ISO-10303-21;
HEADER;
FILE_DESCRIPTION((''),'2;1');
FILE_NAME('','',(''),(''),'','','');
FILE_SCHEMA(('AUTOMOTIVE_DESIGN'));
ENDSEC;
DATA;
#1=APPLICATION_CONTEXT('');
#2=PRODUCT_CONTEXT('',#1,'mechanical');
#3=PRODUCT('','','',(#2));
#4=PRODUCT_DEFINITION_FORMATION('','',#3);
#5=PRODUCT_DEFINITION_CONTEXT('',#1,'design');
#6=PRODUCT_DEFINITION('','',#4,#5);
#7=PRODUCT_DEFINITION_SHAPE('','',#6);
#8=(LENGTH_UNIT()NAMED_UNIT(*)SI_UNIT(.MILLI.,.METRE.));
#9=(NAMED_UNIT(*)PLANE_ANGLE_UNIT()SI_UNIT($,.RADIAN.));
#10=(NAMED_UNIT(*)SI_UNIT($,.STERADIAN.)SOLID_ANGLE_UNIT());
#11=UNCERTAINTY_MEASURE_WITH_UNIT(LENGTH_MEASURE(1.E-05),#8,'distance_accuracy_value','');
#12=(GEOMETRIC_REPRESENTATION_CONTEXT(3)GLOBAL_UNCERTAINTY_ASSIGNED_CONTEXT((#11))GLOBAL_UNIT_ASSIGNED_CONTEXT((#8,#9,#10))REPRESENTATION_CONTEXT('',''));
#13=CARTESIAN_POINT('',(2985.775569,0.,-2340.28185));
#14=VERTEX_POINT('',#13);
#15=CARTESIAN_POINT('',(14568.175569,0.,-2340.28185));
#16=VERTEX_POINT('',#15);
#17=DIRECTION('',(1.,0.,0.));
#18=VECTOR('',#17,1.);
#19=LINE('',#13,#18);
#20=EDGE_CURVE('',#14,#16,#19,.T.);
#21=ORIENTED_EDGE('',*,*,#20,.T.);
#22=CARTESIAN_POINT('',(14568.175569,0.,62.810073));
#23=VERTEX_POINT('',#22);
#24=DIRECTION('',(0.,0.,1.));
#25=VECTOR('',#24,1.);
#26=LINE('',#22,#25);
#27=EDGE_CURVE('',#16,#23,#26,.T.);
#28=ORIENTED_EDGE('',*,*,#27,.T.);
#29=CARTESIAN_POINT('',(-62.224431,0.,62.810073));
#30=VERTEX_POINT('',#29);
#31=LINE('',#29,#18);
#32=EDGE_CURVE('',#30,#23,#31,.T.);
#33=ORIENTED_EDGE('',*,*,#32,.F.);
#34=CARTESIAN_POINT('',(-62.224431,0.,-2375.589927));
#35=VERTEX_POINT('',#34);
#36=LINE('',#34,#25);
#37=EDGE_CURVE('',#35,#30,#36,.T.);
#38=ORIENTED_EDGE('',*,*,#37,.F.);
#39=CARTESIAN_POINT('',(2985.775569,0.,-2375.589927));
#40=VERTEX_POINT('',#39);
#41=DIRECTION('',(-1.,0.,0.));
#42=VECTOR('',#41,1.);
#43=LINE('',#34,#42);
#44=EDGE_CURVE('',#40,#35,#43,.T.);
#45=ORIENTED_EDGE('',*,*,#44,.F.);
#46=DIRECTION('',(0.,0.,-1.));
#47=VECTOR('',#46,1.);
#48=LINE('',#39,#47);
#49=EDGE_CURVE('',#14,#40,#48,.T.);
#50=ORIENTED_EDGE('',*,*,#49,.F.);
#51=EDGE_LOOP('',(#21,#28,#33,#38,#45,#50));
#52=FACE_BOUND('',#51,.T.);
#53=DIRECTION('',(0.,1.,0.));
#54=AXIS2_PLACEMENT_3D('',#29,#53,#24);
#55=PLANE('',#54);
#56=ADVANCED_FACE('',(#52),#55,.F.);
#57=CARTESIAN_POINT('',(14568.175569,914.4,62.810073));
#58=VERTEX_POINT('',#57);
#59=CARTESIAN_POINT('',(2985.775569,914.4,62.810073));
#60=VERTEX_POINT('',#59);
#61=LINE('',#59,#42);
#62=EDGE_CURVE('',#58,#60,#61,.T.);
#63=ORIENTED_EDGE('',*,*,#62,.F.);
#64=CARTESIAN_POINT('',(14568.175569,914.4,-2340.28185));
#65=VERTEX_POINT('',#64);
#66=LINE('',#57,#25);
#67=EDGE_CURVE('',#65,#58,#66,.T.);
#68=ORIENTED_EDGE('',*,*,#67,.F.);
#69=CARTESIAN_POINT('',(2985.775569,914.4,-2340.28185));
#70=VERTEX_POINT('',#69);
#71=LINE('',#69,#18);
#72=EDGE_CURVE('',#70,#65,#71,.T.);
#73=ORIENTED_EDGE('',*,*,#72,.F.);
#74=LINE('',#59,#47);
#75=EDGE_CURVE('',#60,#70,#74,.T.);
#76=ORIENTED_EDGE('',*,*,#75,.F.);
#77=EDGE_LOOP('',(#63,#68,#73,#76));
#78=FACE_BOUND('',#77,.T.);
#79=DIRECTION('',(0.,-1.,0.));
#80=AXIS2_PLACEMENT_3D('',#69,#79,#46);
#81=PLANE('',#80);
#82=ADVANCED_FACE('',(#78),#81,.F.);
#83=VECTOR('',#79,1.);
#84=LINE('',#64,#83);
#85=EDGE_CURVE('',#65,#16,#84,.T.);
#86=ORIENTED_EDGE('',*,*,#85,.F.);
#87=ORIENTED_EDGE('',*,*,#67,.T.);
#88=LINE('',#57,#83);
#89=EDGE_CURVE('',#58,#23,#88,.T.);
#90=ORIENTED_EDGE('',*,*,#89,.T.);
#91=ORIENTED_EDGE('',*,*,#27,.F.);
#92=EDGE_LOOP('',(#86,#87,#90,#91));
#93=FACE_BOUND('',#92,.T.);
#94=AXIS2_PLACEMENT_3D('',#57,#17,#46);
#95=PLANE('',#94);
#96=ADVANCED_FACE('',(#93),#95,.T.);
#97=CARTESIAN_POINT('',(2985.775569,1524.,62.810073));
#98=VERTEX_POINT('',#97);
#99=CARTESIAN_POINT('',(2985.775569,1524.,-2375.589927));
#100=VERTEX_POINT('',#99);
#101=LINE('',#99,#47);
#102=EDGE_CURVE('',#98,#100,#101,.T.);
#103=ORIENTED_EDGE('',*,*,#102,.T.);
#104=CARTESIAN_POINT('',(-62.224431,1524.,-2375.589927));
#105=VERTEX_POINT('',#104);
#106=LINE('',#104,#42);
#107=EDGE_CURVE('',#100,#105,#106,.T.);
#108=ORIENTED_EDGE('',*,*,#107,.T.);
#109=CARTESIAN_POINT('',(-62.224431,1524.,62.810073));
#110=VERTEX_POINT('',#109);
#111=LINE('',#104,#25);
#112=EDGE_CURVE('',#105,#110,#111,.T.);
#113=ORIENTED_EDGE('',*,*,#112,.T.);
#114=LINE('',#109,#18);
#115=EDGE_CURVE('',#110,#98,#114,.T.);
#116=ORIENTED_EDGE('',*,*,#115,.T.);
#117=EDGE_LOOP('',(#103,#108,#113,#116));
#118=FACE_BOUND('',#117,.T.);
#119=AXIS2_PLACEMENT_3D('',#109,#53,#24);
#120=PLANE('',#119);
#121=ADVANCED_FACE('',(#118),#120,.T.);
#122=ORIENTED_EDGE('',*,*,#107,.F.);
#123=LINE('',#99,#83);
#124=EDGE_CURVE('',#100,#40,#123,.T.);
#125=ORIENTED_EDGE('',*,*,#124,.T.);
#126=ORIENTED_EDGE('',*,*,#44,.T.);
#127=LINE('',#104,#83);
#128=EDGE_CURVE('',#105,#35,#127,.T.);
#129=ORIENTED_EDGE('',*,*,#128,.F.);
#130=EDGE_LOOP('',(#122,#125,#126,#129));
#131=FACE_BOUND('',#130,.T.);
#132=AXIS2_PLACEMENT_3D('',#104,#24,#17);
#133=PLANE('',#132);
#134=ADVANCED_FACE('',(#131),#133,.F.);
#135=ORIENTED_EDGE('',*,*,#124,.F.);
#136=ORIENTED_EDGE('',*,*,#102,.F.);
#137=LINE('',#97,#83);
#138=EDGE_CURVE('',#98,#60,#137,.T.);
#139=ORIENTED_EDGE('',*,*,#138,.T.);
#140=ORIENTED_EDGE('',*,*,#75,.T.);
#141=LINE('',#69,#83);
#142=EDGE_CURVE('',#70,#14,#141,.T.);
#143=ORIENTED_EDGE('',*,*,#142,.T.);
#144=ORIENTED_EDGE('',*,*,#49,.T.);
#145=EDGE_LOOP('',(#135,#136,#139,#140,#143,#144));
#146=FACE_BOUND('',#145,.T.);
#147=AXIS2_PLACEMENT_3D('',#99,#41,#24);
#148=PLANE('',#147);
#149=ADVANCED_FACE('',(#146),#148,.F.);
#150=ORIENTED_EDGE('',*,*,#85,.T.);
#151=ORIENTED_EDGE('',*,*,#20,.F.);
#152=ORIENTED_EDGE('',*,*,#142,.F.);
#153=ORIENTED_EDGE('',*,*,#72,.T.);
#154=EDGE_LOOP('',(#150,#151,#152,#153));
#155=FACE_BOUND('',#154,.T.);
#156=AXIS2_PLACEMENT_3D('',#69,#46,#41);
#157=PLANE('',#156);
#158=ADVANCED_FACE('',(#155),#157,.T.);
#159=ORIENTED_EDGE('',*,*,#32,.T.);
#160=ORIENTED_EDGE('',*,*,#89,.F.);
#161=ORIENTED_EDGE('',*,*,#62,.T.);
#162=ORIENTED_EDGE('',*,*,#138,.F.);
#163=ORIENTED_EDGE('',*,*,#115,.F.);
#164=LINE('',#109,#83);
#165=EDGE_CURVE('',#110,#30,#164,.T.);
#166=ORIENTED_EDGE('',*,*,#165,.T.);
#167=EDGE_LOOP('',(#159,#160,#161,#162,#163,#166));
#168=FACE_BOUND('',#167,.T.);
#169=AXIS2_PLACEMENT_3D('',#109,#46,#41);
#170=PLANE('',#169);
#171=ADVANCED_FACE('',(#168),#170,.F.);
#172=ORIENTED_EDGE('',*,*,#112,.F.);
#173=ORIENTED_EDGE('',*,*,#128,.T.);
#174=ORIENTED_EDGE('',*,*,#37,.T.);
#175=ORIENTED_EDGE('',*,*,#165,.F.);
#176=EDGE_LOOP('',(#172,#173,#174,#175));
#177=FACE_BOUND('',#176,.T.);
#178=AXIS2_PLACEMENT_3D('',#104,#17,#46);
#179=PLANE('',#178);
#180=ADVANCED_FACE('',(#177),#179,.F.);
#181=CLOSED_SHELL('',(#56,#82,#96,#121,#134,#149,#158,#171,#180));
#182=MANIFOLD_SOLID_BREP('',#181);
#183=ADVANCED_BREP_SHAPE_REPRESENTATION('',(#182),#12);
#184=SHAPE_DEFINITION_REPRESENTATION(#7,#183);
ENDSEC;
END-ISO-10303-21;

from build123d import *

# Parameters (mm, degrees)
SKETCH1_W           = 3048
SKETCH1_H           = 2438.4
BOSS_EXTRUDE1_DEPTH = 1524
SKETCH3_W           = 11582.4
SKETCH3_H           = 2403.091922187
BOSS_EXTRUDE2_DEPTH = 914.4


with BuildPart() as part:
    # Sketch1 → Boss-Extrude1 (new body)
    with BuildSketch(Plane(origin=(0, 0, 0), x_dir=(1, 0, 0), z_dir=(0, 1, 0))):
        with Locations((1461.775569056, 1156.389927353)):
            Rectangle(SKETCH1_W, SKETCH1_H)
    extrude(amount=BOSS_EXTRUDE1_DEPTH)

    # Sketch3 → Boss-Extrude2 (add)
    with BuildSketch(Plane.XZ):
        with Locations((8776.975569056, -1138.735888446)):
            Rectangle(SKETCH3_W, SKETCH3_H)
    extrude(amount=-BOSS_EXTRUDE2_DEPTH)


solid = part.part
